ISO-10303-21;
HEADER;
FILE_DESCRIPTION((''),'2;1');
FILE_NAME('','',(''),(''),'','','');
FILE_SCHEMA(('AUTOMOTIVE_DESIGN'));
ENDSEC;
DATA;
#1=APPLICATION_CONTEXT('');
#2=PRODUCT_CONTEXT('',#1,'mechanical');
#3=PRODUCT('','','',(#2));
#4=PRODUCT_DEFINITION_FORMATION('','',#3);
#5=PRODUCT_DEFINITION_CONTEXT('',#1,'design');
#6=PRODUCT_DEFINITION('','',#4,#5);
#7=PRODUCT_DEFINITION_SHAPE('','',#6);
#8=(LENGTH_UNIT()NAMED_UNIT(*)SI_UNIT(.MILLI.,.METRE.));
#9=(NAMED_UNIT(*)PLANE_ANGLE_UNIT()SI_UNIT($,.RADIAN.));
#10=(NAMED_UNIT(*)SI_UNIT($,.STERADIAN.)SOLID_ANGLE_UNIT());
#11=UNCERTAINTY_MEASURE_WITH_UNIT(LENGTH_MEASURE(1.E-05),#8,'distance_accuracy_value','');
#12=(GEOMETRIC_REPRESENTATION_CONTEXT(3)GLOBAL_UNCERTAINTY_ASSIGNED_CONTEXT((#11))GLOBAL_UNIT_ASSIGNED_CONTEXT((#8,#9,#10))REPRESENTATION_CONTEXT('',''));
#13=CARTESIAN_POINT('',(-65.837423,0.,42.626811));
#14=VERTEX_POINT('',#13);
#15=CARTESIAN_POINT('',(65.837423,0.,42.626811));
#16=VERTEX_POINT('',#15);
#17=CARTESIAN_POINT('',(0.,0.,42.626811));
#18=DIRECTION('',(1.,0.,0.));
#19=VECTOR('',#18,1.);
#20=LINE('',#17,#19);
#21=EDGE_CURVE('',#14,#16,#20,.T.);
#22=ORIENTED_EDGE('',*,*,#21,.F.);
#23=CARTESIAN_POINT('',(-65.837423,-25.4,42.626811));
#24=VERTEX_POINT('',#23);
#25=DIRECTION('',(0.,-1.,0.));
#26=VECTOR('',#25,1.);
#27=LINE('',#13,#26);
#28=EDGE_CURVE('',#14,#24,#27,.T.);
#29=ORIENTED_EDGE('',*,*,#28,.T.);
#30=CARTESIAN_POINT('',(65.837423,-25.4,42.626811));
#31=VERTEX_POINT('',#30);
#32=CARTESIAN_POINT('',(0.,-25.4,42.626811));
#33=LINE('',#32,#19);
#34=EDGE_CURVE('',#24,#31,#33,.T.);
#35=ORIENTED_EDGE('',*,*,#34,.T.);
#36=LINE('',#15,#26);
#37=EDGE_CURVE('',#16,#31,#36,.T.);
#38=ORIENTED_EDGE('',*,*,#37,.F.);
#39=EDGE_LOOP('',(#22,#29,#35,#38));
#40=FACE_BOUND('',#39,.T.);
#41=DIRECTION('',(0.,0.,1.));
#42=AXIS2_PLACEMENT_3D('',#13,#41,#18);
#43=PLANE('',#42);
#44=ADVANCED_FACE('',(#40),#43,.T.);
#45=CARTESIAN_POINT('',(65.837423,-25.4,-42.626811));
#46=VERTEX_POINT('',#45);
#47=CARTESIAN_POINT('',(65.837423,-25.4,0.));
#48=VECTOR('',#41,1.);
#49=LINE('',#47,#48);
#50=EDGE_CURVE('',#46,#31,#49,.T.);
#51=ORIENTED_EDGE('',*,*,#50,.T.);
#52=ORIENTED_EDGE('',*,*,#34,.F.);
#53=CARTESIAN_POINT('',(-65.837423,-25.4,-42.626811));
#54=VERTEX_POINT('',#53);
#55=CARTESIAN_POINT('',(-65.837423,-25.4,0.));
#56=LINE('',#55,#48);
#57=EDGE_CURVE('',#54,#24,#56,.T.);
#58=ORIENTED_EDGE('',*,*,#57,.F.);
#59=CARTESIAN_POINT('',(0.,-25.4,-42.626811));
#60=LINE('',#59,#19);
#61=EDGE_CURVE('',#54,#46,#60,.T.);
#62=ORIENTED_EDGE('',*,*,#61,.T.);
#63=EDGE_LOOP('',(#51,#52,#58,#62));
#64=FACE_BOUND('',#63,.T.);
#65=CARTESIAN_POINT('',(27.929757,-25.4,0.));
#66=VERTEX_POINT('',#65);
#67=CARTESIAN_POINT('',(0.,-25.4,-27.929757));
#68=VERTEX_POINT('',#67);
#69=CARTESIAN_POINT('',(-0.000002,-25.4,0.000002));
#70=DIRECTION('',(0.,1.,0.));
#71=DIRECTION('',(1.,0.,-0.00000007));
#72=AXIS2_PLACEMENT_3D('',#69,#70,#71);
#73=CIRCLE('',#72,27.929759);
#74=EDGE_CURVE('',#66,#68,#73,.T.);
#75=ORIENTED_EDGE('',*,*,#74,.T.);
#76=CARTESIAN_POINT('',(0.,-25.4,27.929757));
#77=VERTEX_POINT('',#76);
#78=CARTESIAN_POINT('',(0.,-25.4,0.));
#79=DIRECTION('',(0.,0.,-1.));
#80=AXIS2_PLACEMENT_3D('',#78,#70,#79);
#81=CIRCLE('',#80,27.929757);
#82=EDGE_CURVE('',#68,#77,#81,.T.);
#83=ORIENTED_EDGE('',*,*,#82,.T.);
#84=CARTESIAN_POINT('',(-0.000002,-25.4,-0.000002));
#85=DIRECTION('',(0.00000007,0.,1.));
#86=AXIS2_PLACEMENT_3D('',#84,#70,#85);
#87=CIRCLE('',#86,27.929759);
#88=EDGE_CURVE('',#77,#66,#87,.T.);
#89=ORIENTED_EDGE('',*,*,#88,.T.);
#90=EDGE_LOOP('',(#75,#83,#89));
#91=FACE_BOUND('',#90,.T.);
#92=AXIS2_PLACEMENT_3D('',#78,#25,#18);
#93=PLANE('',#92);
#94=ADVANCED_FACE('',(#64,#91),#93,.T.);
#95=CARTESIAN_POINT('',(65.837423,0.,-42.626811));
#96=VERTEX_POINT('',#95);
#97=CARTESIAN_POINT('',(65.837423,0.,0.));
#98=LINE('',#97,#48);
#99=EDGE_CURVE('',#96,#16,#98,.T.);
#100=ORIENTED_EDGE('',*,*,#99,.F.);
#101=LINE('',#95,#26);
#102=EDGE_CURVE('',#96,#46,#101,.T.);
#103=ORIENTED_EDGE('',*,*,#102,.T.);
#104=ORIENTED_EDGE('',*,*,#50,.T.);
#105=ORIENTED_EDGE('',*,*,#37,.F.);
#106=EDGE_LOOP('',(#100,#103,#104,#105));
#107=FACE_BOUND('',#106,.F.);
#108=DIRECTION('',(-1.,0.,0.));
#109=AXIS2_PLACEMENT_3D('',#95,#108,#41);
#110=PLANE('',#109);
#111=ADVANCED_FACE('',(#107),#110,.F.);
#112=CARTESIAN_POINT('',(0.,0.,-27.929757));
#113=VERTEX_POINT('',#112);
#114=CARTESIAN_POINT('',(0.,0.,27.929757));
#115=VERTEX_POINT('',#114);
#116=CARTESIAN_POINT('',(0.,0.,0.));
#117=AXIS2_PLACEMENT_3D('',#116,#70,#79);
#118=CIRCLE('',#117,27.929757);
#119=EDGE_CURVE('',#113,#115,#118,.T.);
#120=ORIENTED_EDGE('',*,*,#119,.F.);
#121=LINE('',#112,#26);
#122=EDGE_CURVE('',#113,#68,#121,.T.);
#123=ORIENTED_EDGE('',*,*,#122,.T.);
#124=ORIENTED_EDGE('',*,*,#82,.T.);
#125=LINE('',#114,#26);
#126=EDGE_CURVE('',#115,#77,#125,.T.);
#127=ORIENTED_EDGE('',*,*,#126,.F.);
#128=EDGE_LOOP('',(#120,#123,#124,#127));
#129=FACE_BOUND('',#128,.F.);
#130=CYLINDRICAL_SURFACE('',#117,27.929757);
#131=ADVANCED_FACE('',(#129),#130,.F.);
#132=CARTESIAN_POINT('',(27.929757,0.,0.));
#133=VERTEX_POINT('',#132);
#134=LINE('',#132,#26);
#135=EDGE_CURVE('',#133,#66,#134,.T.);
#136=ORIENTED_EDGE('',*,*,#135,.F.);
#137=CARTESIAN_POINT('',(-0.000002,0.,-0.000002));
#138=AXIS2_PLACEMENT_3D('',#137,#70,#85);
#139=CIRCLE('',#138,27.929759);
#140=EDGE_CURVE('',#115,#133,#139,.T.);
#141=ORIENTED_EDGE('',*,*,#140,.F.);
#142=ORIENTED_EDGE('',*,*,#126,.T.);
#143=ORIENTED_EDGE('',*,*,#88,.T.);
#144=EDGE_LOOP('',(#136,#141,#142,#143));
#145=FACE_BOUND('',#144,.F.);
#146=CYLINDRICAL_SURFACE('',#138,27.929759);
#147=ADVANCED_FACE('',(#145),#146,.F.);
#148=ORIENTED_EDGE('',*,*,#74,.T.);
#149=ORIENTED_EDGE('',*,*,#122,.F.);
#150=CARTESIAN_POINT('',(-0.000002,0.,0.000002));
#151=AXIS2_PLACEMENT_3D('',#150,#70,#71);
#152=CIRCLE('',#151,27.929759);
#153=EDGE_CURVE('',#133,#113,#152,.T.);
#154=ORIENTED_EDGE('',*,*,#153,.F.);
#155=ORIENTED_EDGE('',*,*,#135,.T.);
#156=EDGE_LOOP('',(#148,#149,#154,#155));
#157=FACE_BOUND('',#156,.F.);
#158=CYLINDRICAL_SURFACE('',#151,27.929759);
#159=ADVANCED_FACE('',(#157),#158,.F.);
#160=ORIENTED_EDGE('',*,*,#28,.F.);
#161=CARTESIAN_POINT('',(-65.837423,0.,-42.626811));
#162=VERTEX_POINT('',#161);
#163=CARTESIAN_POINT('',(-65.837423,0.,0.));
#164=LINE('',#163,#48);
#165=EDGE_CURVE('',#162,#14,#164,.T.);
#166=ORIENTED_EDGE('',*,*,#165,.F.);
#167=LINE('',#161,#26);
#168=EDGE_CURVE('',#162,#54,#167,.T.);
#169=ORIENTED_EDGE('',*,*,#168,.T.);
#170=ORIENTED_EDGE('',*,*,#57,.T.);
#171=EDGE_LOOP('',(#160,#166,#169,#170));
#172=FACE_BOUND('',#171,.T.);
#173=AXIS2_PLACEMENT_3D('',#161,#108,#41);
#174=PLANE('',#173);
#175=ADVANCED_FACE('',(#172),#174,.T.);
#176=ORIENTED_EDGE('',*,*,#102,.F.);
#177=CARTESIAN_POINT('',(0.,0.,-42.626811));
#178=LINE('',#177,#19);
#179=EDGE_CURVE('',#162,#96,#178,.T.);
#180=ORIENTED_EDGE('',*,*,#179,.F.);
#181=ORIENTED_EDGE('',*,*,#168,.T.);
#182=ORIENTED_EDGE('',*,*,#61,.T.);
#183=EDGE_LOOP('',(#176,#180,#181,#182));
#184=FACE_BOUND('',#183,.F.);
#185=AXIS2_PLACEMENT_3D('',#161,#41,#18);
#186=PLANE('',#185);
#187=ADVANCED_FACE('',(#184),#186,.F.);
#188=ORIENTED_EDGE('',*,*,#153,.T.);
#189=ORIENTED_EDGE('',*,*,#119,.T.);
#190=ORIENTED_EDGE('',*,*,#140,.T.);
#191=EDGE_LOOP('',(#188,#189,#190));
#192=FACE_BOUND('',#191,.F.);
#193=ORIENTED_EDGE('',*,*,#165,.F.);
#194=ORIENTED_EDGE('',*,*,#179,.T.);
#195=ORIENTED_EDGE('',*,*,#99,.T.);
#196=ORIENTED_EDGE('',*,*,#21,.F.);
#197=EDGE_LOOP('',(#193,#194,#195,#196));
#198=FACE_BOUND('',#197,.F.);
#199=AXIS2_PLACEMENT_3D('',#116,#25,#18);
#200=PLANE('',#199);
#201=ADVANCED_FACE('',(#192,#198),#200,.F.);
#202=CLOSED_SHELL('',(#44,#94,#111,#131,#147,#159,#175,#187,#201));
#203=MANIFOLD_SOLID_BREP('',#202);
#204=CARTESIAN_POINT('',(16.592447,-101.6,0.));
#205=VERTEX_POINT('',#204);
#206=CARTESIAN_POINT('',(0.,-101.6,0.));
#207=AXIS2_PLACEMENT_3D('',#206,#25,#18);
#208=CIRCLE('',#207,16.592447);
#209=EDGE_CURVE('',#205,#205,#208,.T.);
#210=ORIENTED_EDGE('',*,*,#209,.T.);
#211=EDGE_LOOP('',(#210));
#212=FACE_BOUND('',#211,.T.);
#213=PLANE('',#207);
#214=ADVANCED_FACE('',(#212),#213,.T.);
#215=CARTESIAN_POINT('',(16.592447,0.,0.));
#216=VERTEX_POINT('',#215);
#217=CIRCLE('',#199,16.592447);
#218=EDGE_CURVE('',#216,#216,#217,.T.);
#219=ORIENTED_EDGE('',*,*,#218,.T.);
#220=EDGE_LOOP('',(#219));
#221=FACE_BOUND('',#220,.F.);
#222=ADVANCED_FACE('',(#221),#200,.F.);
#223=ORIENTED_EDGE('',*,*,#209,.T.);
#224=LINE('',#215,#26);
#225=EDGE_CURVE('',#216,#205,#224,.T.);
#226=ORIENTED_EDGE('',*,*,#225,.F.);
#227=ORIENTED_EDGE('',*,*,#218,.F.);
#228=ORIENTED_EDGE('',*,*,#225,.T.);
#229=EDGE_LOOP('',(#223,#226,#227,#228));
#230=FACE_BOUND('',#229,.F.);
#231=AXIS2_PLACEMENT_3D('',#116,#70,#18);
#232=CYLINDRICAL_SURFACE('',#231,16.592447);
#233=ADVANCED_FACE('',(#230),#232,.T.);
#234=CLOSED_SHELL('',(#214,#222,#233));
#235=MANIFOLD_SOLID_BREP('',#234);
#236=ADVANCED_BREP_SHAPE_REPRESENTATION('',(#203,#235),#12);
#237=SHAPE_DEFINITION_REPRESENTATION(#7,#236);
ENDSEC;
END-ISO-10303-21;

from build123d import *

# Parameters (mm, degrees)
F0_W     = 131.674846
F0_H     = 85.253622
F1_DEPTH = 25.4
F0_R     = 16.592447
F2_DEPTH = 101.6


with BuildPart() as f1:
    # F0 (on Front) → F1 (new body)
    with BuildSketch(Plane.XZ):
        Rectangle(F0_W, F0_H)
        Polygon((-40.834595, 27.929757), (0, 27.929757), (40.834595, 27.929757), (40.834595, -27.929757), (0, -27.929757), (-40.834595, -27.929757), align=None, mode=Mode.SUBTRACT)
        with BuildLine():
            ThreePointArc((0, 27.929757), (19.74932, 19.74932), (27.929757, 0))
            ThreePointArc((27.929757, 0), (19.74932, -19.74932), (0, -27.929757))
            Line((0, -27.929757), (40.834595, -27.929757))
            Line((40.834595, -27.929757), (40.834595, 27.929757))
            Line((40.834595, 27.929757), (0, 27.929757))
        make_face()
        with BuildLine():
            ThreePointArc((0, -27.929757), (-27.929757, 0), (0, 27.929757))
            Line((0, 27.929757), (-40.834595, 27.929757))
            Line((-40.834595, 27.929757), (-40.834595, -27.929757))
            Line((-40.834595, -27.929757), (0, -27.929757))
        make_face()
    extrude(amount=F1_DEPTH)


with BuildPart() as f2:
    # F0 (on Front) → F2 (new body)
    with BuildSketch(Plane.XZ):
        Circle(F0_R)
    extrude(amount=F2_DEPTH)


solid = Compound([f1.part, f2.part])
